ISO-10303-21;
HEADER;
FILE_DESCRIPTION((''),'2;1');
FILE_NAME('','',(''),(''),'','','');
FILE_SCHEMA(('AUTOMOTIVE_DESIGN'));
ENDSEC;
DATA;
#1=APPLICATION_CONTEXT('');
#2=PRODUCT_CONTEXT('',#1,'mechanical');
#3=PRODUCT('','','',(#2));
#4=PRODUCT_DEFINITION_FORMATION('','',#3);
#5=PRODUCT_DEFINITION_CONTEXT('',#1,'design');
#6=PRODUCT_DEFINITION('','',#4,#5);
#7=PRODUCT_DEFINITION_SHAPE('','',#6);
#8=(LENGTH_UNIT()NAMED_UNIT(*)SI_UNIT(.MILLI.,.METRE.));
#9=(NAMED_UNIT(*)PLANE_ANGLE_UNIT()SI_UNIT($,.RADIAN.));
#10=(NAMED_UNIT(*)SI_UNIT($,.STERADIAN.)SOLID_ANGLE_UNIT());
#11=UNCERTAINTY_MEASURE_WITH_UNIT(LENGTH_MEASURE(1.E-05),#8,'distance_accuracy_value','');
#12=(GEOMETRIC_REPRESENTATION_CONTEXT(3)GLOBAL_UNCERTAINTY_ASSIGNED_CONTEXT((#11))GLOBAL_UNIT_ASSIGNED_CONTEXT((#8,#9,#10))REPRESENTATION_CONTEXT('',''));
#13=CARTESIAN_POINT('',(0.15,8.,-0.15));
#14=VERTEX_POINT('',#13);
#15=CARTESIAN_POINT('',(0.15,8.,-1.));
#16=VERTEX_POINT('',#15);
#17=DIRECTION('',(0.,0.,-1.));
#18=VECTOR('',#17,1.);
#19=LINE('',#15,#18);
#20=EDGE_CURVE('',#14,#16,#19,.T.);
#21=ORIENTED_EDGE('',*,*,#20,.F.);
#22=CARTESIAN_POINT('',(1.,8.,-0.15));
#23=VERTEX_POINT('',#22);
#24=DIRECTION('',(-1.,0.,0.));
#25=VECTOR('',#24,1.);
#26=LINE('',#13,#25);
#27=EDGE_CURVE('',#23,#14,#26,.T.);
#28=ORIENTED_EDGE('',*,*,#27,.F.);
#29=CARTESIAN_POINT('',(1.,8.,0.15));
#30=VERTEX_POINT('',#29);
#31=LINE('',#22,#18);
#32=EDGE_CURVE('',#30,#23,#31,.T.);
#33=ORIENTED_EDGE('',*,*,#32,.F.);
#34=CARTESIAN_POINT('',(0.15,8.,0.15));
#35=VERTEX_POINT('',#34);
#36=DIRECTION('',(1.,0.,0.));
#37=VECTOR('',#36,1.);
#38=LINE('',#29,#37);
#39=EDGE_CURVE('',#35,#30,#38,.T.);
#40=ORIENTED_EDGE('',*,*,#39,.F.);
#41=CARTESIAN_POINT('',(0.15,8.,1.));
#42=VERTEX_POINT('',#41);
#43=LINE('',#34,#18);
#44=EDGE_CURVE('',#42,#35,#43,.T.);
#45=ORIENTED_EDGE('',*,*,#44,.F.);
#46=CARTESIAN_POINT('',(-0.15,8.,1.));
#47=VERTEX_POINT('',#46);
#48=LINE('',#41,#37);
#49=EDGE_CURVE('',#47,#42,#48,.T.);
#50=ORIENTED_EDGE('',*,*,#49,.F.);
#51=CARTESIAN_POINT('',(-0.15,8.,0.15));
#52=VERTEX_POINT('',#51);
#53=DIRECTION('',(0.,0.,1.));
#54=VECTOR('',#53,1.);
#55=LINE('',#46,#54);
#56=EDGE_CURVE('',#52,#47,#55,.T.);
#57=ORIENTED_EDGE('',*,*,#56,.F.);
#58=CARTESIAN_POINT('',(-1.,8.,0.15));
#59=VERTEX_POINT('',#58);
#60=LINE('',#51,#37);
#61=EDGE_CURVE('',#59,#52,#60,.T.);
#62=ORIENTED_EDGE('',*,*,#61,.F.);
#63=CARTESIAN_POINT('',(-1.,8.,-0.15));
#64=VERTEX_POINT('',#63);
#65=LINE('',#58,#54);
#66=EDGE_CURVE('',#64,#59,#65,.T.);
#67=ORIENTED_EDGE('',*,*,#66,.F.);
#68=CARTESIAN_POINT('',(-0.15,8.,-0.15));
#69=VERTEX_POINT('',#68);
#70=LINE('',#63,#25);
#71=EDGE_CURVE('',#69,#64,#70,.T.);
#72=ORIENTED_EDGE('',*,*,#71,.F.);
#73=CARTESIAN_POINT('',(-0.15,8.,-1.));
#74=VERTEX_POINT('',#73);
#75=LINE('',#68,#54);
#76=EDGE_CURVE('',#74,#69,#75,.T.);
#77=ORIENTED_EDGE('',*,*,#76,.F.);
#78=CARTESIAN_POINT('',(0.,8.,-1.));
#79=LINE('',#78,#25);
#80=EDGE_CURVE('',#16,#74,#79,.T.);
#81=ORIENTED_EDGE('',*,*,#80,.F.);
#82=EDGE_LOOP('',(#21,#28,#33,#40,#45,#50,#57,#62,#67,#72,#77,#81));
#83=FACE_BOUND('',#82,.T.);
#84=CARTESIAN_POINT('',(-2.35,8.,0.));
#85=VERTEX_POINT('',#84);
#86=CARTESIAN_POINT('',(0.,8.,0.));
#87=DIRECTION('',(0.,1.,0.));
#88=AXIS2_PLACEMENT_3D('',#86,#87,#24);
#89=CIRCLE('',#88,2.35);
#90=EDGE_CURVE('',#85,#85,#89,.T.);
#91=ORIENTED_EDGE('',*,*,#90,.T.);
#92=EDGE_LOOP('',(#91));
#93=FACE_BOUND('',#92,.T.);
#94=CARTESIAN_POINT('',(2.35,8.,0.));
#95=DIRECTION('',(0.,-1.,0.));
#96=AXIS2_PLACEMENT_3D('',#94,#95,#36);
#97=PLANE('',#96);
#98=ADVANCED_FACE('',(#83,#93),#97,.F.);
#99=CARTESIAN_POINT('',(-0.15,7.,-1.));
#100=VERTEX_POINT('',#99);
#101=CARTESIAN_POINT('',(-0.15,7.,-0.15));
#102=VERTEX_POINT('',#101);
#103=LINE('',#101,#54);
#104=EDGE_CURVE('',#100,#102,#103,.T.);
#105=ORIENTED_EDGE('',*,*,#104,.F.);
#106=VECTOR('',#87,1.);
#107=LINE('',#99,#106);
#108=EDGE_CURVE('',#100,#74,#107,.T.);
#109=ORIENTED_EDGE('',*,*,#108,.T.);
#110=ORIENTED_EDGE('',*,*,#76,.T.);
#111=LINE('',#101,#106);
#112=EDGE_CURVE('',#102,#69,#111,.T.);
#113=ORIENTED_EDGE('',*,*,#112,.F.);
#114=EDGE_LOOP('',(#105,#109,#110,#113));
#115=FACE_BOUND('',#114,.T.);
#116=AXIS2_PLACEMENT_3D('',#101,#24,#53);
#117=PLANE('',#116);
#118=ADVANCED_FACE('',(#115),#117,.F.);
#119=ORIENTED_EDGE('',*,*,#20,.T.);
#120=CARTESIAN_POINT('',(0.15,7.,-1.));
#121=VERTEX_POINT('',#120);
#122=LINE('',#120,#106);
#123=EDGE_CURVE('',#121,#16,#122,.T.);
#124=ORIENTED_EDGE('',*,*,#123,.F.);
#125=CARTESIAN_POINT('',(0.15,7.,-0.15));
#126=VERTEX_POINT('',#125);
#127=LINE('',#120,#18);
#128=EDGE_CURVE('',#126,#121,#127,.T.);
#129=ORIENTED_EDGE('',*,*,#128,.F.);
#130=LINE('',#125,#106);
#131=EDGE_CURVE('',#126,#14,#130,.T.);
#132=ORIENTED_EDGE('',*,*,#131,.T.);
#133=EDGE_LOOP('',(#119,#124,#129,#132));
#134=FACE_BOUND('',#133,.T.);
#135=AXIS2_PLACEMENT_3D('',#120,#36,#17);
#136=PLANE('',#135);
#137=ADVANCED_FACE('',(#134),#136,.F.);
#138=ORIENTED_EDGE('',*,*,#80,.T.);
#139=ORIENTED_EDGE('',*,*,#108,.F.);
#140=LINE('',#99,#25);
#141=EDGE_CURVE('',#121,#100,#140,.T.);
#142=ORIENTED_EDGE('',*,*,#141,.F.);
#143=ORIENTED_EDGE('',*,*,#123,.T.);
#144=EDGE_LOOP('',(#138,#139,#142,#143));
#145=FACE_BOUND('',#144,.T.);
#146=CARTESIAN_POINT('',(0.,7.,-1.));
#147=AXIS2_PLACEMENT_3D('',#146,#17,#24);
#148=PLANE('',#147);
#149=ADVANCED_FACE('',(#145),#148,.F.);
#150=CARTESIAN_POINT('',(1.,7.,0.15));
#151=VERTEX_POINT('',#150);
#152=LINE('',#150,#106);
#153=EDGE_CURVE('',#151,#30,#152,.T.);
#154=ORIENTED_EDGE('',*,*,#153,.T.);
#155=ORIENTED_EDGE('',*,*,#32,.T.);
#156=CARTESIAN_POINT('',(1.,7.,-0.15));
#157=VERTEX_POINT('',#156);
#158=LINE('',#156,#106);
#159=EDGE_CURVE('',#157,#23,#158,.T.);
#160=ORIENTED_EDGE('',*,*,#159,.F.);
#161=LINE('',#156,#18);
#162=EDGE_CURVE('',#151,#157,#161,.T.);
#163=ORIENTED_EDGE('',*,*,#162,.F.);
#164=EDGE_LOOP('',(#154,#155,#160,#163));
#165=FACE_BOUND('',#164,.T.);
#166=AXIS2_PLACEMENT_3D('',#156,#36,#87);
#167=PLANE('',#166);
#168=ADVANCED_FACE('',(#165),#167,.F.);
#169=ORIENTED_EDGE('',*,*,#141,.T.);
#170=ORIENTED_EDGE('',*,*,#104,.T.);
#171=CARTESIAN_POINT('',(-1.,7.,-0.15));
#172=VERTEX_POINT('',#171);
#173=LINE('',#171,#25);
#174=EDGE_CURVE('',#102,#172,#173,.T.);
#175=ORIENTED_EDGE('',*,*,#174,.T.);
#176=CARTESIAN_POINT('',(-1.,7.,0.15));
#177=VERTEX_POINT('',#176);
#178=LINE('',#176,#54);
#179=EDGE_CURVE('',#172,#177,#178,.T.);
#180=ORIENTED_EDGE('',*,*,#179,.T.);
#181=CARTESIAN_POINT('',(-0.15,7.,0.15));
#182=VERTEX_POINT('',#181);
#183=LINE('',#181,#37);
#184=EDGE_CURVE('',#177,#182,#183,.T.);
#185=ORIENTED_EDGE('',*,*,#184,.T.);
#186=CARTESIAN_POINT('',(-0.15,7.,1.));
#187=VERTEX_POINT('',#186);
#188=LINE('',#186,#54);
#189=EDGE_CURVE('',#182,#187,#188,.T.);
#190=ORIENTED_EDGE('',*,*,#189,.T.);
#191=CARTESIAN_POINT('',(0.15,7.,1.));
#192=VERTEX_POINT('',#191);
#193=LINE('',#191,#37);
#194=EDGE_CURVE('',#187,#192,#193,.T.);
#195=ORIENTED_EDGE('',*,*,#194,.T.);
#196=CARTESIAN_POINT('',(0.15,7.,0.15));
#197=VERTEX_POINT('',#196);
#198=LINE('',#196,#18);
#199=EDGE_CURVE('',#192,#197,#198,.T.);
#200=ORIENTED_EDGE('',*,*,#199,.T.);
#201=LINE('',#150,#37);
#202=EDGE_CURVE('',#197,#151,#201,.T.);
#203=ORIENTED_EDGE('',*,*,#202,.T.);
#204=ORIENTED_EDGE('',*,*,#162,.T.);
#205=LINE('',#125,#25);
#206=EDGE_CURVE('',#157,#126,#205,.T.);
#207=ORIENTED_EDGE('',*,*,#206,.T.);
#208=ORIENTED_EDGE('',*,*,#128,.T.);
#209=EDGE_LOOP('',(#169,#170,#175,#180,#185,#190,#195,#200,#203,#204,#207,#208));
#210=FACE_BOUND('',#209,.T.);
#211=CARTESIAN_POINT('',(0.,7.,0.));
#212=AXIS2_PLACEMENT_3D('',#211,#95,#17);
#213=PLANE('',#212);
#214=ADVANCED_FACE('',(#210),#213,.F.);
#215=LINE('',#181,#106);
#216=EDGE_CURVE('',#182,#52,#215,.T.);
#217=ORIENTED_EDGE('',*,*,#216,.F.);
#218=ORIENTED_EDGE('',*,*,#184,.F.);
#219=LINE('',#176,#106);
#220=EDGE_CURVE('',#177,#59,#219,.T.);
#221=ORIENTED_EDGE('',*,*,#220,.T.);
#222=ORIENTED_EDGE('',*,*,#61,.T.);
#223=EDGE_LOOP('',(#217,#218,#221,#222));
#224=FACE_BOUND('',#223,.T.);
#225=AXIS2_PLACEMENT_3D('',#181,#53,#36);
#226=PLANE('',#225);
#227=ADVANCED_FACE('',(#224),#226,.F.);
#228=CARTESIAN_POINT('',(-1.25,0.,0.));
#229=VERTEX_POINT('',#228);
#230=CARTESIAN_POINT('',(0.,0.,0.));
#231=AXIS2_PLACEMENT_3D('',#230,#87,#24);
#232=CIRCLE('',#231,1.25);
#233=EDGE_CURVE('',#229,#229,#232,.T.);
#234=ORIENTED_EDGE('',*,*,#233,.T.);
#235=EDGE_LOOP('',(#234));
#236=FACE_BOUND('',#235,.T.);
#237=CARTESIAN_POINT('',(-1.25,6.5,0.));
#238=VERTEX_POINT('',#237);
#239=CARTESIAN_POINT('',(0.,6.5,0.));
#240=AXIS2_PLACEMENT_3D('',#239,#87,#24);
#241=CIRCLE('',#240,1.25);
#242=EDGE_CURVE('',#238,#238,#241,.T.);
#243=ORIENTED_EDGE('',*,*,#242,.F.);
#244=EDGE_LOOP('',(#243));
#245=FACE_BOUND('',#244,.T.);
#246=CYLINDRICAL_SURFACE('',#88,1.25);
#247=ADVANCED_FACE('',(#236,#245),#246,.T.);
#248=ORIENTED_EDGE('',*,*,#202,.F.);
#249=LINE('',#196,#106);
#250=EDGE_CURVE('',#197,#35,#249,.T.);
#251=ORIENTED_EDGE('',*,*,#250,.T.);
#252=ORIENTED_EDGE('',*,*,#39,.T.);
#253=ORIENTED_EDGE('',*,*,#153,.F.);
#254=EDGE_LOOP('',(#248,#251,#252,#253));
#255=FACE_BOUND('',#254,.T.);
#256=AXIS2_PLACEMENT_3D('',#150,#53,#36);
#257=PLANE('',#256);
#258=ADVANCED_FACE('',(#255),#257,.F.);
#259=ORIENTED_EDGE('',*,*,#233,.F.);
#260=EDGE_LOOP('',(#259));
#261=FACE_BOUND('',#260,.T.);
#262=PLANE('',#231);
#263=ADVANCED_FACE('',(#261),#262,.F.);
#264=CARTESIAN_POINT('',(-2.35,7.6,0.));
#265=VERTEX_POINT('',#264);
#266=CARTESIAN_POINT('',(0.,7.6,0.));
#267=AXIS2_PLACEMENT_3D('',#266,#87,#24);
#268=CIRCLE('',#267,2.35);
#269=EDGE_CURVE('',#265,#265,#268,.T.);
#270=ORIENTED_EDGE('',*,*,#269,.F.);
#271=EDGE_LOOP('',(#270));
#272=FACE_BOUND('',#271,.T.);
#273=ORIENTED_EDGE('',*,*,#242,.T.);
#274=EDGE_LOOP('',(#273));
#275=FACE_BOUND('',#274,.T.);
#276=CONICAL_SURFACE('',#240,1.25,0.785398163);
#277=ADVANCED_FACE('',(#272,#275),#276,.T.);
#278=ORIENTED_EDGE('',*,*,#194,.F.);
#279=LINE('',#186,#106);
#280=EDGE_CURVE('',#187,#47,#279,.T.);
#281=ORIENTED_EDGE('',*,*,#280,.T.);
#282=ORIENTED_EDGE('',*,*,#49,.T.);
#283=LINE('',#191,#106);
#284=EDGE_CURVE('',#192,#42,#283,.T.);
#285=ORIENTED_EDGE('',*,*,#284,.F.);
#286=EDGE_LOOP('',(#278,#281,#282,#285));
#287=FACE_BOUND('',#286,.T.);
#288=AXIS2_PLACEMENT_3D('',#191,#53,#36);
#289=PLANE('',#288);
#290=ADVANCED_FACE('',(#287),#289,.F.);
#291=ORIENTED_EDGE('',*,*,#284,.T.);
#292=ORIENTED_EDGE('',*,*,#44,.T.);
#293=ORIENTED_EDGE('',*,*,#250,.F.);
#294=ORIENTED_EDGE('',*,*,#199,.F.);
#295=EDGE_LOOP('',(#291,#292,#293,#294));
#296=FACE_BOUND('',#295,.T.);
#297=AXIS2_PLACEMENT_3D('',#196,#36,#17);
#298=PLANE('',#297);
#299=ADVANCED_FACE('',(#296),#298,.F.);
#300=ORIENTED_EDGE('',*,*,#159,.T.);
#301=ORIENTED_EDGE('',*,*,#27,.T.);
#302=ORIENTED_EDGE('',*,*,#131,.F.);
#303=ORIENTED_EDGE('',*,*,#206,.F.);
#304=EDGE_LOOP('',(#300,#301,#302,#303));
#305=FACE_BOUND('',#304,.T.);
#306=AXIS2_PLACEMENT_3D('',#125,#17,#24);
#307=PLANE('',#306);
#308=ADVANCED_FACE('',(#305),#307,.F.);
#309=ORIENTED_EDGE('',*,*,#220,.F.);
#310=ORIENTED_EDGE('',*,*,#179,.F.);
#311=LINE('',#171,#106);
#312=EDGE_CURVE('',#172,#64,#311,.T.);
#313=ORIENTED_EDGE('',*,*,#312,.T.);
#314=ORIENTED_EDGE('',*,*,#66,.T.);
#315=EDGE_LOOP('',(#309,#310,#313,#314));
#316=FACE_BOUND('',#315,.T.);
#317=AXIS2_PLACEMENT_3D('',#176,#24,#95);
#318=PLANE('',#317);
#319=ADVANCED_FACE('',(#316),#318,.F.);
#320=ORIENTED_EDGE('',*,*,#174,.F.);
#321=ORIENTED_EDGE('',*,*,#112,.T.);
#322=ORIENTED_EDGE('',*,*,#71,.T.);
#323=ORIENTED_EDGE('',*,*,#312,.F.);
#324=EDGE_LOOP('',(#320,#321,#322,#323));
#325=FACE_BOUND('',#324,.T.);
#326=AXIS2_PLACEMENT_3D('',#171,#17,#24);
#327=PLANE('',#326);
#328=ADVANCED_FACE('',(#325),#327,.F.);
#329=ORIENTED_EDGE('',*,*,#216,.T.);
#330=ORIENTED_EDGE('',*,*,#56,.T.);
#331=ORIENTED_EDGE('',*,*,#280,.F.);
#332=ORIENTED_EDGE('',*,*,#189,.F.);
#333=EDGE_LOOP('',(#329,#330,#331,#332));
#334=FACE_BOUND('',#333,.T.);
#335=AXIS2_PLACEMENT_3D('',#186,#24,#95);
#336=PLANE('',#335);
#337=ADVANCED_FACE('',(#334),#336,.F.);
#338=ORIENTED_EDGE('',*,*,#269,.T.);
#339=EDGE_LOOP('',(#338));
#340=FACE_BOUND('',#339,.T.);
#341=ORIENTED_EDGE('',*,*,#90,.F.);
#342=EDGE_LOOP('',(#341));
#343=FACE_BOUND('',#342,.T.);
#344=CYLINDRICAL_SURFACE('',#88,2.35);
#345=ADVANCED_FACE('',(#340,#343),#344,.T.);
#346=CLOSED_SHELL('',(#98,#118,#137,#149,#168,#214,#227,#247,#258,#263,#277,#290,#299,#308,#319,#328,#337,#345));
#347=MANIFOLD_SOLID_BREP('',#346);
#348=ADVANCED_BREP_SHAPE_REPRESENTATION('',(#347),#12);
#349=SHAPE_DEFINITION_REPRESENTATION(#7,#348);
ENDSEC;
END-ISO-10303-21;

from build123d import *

# Parameters (mm, degrees)
CUT_EXTRUDE1_DEPTH = 1


with BuildPart() as part:
    # Sketch1 → Revolve1 (revolve)
    with BuildSketch(Plane.XY, mode=Mode.PRIVATE) as revolve1_sk:
        Polygon((0, 0), (1.25, 0), (1.25, 6.5), (2.35, 7.6), (2.35, 8), (0, 8), align=None)
    revolve(revolve1_sk.sketch.rotate(Axis((0, 8, 0), (0, -1, 0)), 180), axis=Axis((0, 8, 0), (0, -1, 0)))

    # Sketch2 → Cut-Extrude1 (cut)
    with BuildSketch(Plane(origin=(0, 8, 0), x_dir=(1, 0, 0), z_dir=(0, 1, 0))):
        Polygon((0, 1), (0.15, 1), (0.15, 0.15), (1, 0.15), (1, -0.15), (0.15, -0.15), (0.15, -1), (-0.15, -1), (-0.15, -0.15), (-1, -0.15), (-1, 0.15), (-0.15, 0.15), (-0.15, 1), align=None)
    extrude(amount=-CUT_EXTRUDE1_DEPTH, mode=Mode.SUBTRACT)


solid = part.part
